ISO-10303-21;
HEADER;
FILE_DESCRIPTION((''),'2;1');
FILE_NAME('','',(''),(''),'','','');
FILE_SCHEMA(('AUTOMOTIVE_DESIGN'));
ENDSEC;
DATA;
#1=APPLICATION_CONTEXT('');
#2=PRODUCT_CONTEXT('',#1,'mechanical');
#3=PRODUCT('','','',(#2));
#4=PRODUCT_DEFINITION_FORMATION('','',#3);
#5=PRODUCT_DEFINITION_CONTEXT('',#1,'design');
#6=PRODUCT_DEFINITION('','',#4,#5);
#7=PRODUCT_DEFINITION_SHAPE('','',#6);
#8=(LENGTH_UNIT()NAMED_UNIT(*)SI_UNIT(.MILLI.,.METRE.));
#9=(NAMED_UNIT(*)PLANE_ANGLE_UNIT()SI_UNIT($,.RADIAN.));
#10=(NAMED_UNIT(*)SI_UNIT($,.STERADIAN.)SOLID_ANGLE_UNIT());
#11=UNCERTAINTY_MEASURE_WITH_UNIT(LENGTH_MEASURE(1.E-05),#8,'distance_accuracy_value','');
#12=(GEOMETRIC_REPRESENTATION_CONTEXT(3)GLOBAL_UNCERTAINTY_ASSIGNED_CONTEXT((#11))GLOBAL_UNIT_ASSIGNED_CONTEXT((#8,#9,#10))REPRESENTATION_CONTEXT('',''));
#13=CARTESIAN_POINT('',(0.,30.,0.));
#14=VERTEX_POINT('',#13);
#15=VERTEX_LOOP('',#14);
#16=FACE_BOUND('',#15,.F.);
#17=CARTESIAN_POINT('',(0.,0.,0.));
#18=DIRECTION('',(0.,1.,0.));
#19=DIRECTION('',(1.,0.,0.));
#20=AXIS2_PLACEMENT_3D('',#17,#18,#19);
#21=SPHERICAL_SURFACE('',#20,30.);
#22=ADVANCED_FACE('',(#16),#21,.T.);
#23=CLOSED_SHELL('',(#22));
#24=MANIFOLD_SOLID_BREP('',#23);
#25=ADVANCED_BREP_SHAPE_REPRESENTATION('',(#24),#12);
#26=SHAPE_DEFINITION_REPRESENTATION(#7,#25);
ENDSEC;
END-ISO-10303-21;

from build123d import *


with BuildPart() as part:
    # Esquisse1 → Révolution1 (revolve)
    with BuildSketch(Plane.XY):
        with BuildLine():
            Line((0, 30), (0, -30))
            ThreePointArc((0, -30), (30, 0), (0, 30))
        make_face()
    revolve(axis=Axis((0, 60.174418605, 0), (0, -1, 0)))


solid = part.part
